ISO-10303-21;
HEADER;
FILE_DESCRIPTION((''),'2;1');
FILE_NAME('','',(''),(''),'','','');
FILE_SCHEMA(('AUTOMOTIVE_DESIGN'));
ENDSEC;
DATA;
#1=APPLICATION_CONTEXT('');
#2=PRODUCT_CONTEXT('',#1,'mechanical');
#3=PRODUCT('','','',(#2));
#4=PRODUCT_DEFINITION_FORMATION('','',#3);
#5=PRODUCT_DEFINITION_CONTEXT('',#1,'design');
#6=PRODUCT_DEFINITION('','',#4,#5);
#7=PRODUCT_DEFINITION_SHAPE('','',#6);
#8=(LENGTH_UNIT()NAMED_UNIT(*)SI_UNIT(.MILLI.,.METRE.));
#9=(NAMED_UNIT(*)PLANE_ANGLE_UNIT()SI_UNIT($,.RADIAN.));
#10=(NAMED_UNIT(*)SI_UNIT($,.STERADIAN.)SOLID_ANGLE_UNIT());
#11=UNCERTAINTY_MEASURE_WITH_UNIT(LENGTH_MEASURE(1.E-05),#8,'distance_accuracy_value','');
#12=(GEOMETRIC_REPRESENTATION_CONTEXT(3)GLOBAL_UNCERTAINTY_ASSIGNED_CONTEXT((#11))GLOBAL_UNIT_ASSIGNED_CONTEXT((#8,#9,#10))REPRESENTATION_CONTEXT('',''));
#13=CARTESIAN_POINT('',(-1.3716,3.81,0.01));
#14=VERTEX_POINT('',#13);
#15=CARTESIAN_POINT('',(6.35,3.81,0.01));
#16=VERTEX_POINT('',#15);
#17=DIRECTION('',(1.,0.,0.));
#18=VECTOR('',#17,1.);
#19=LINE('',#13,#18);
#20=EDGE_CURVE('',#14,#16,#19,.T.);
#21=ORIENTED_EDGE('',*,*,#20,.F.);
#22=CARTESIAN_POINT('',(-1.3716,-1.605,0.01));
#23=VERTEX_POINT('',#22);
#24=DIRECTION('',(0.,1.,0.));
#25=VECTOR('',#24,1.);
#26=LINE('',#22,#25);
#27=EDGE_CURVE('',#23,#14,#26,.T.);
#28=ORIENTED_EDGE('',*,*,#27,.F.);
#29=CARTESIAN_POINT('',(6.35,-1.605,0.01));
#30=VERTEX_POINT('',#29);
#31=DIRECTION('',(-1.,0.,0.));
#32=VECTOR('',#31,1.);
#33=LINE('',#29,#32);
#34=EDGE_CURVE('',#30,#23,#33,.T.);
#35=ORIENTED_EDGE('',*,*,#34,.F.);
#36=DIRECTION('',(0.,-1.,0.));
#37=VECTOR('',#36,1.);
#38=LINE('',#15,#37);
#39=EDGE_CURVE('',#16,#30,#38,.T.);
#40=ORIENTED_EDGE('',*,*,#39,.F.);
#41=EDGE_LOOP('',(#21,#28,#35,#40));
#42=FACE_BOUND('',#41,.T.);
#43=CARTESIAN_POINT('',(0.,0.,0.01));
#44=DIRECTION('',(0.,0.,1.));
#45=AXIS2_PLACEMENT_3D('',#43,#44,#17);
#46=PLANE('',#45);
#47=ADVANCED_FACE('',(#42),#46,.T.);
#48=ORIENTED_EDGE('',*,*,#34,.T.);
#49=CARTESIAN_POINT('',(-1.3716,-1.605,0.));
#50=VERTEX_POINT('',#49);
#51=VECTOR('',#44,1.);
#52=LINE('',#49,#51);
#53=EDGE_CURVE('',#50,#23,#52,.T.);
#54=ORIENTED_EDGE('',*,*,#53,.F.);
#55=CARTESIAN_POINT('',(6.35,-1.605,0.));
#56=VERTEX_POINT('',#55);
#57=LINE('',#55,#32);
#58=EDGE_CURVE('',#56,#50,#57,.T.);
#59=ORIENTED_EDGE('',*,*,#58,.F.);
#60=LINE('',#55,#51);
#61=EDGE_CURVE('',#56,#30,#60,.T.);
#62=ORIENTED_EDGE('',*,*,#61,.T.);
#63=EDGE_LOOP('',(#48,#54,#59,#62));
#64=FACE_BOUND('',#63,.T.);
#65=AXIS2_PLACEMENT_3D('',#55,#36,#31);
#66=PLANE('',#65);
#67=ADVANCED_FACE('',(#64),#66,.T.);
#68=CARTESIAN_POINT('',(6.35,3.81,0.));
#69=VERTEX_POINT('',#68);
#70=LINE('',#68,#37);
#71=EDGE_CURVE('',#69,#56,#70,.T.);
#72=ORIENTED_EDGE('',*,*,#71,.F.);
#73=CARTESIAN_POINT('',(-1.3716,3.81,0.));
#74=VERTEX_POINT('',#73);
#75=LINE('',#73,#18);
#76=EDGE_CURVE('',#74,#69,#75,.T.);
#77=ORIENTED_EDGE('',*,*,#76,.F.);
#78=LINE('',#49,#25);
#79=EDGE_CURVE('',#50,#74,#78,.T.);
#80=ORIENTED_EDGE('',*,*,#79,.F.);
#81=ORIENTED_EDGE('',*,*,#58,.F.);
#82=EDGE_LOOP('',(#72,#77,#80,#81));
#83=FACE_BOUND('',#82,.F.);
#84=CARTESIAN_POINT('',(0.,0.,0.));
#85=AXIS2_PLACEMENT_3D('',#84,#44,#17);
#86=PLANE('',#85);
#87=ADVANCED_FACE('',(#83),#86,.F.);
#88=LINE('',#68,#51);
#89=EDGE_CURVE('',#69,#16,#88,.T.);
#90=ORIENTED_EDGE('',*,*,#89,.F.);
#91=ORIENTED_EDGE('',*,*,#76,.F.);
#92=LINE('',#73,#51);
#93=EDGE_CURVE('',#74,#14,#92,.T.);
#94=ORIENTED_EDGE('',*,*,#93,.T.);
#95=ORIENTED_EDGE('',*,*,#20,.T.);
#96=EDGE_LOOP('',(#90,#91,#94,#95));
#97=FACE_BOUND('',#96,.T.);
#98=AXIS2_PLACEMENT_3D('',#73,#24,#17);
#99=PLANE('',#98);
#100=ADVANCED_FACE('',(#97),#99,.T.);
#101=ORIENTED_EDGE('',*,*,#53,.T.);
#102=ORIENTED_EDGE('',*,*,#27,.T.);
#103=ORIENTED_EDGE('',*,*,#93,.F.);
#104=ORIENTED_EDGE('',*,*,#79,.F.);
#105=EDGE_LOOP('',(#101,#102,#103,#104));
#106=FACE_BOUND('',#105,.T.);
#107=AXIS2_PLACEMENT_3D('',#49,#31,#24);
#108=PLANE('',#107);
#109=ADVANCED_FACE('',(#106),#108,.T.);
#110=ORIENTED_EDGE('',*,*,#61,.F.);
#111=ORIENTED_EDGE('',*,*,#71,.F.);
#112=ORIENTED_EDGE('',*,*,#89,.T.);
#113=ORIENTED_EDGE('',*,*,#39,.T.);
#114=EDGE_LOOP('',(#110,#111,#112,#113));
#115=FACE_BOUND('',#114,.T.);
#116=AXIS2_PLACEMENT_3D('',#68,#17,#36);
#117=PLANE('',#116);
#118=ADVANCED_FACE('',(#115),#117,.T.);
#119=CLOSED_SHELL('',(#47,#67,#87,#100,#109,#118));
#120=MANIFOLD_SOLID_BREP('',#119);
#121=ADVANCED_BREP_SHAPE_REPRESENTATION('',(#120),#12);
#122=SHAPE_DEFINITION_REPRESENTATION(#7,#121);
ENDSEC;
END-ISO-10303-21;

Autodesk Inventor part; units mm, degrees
ref_plane "YZ Plane" through (0, 0, 0) normal (1, 0, 0) x (0, 1, 0)
ref_plane "XZ Plane" through (0, 0, 0) normal (0, 1, 0) x (-1, 0, 0)
ref_plane "XY Plane" through (0, 0, 0) normal (0, 0, 1) x (1, 0, 0)
sketch "2X3, FEMALE_65" plane through (0, 0, 0) normal (0, 0, 1) x (1, 0, 0)
  line L0 (-1.3716, 3.81) -> (6.35, 3.81)
  line L1 (6.35, 3.81) -> (6.35, -1.605)
  line L2 (6.35, -1.605) -> (-1.3716, -1.605)
  line L3 (-1.3716, -1.605) -> (-1.3716, 3.81)
extrude "Extrusion1" add sketch "2X3, FEMALE_65" along normal blind 0.01
properties part number "FEMALE"
